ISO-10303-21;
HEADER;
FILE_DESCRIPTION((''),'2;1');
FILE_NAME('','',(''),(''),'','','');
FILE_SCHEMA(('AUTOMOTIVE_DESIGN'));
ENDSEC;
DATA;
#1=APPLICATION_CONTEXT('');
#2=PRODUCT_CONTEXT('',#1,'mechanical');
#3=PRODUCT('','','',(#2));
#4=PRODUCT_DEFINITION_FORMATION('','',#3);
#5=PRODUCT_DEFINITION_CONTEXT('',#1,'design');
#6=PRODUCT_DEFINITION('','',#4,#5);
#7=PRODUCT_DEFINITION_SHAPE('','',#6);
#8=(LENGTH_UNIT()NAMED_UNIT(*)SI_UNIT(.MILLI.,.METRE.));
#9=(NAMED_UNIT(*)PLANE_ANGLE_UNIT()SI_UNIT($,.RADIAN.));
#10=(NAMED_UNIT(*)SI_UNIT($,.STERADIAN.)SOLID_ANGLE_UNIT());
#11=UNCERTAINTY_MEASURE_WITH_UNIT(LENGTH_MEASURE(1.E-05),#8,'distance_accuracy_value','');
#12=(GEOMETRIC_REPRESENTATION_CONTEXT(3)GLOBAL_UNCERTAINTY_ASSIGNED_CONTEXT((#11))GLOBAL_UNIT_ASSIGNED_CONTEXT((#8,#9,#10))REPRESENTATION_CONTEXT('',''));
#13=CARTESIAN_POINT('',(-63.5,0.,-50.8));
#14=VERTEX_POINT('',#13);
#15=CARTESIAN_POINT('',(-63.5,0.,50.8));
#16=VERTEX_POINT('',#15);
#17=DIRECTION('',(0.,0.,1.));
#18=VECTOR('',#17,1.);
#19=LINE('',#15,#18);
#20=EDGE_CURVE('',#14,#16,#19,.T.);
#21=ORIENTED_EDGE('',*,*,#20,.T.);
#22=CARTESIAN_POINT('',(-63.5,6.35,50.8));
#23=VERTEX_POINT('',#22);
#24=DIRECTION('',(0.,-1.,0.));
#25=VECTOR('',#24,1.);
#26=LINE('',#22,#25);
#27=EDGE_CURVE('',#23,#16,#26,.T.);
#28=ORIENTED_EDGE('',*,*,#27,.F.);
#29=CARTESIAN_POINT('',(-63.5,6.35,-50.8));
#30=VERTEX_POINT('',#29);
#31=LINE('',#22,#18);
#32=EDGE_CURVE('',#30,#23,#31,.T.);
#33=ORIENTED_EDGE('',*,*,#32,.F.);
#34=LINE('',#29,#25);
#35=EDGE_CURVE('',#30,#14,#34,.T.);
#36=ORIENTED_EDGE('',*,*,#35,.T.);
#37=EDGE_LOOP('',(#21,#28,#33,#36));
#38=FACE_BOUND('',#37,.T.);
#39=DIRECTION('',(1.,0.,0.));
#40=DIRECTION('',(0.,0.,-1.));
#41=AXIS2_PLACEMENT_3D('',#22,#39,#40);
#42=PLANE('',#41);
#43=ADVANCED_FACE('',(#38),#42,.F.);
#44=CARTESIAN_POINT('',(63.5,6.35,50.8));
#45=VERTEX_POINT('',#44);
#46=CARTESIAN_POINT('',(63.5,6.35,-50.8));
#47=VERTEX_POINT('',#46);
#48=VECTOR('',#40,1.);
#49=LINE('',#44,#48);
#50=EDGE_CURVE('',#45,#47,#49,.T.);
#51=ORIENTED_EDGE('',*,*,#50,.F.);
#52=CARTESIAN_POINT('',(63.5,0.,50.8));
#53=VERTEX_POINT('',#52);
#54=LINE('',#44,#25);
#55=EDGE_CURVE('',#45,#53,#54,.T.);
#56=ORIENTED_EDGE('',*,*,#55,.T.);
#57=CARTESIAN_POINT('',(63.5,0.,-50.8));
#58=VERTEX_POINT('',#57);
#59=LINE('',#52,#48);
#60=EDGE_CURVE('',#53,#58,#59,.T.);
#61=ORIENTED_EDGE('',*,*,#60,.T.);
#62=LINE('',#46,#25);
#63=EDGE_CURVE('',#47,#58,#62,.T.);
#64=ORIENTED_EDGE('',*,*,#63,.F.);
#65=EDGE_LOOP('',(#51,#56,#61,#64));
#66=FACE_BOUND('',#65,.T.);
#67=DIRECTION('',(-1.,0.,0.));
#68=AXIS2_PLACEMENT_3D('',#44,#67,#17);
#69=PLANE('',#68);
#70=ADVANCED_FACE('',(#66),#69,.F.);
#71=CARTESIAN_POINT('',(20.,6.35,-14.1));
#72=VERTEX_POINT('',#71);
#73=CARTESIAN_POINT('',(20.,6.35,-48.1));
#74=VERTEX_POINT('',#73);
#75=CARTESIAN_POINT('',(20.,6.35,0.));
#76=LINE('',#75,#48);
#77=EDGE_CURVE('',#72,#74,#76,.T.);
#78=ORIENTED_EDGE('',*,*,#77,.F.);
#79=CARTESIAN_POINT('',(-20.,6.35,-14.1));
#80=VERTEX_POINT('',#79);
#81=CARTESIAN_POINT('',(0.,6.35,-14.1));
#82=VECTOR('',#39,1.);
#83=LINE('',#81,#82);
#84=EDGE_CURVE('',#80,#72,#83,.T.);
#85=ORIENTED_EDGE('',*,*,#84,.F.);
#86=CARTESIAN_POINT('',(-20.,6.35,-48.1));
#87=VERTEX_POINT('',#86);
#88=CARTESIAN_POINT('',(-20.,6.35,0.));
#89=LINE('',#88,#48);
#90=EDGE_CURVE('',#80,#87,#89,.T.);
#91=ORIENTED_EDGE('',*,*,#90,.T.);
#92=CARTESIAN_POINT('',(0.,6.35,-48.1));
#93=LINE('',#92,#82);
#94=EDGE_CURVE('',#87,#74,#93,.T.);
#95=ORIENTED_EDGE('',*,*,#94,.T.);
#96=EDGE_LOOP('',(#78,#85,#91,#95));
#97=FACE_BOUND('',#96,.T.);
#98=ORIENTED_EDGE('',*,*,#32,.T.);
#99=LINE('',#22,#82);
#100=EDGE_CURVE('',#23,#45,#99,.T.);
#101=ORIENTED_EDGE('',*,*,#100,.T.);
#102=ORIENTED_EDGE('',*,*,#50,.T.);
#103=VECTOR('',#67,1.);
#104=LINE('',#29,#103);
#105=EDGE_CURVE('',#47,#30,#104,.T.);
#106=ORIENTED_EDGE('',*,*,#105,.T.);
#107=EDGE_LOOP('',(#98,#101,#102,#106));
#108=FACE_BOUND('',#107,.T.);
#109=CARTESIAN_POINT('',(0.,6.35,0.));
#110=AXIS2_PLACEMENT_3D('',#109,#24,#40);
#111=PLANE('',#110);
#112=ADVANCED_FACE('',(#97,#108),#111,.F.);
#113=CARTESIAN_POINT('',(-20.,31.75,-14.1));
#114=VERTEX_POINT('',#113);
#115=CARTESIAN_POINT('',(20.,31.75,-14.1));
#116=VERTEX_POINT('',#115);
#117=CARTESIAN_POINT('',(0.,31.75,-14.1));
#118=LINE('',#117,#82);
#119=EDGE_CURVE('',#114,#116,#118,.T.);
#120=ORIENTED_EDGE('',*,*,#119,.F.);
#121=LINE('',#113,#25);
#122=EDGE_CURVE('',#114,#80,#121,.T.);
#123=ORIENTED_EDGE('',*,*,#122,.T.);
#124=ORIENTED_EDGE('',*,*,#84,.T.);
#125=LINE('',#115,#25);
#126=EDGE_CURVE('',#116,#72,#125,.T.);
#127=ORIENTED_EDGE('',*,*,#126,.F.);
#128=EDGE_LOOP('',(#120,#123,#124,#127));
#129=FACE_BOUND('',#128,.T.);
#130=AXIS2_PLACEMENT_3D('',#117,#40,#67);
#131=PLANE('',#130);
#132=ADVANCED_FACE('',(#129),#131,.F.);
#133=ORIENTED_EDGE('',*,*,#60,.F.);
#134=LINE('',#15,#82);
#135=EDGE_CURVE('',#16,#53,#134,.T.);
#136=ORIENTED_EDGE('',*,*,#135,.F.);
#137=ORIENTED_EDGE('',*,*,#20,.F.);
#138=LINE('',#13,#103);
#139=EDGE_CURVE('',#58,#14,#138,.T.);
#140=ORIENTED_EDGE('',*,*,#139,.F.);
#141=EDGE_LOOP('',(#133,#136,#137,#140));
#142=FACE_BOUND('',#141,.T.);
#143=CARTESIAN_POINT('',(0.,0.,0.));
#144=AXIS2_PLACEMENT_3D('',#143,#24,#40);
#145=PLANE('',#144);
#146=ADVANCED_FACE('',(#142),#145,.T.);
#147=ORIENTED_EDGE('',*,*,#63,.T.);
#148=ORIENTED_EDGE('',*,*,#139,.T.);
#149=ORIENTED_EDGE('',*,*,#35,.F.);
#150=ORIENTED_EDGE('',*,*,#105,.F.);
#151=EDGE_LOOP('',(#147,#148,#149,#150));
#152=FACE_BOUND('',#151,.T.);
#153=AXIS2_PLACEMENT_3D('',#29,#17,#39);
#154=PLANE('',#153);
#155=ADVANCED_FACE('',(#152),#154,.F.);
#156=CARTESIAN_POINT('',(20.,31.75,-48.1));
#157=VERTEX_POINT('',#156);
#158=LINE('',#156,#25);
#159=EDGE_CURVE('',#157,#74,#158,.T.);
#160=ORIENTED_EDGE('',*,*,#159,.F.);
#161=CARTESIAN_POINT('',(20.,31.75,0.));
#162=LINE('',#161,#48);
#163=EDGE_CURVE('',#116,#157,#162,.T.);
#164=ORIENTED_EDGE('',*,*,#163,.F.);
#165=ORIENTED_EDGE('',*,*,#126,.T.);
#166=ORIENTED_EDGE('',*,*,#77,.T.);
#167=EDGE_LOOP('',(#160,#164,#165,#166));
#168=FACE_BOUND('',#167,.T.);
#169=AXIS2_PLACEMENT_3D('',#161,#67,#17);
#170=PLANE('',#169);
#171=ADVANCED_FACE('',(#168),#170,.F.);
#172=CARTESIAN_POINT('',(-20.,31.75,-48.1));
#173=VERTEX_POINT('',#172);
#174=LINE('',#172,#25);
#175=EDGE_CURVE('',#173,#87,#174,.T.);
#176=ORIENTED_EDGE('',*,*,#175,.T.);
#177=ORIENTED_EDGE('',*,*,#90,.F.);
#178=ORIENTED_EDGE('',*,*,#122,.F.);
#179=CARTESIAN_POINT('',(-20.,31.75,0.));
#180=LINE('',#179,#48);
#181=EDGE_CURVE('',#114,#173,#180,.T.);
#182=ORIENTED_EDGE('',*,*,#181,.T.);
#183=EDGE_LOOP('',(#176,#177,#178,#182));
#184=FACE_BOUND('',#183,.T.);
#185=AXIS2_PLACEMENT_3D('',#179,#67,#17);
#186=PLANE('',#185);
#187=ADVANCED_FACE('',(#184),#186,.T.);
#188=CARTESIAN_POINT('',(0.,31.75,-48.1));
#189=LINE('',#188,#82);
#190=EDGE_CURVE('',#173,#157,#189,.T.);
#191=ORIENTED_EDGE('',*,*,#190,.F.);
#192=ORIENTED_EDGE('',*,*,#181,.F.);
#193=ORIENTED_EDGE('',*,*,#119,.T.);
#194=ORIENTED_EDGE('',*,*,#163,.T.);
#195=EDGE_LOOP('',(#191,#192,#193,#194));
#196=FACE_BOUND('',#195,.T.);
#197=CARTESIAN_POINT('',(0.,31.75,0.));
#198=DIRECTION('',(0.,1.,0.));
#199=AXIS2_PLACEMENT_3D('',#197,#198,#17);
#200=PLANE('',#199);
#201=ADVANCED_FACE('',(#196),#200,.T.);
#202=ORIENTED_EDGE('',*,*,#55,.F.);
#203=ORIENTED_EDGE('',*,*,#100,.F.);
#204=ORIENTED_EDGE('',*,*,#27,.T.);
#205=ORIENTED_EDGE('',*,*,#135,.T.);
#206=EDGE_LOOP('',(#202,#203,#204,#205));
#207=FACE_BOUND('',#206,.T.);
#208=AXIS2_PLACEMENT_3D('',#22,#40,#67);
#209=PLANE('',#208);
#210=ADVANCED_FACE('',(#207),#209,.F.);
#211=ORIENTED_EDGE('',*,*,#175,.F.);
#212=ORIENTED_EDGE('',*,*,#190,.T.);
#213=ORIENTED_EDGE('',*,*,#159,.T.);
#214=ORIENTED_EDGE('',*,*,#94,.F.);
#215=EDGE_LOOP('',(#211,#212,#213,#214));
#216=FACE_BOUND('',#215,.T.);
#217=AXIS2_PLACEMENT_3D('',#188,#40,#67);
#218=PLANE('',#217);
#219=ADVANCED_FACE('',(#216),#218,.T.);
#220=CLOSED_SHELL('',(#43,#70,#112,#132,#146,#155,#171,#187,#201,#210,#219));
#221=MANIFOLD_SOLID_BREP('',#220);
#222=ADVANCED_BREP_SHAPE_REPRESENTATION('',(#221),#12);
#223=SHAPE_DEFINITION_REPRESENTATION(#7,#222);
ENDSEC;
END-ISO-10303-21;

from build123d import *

# Parameters (mm, degrees)
SKETCH2_W           = 127
SKETCH2_H           = 101.6
BOSS_EXTRUDE1_DEPTH = 6.35
SKETCH3_W           = 40
SKETCH3_H           = 34
BOSS_EXTRUDE2_DEPTH = 25.4


with BuildPart() as part:
    # Sketch2 → Boss-Extrude1 (new body)
    with BuildSketch(Plane(origin=(0, 0, 0), x_dir=(1, 0, 0), z_dir=(0, 1, 0))):
        Rectangle(SKETCH2_W, SKETCH2_H)
    extrude(amount=BOSS_EXTRUDE1_DEPTH)

    # Sketch3 → Boss-Extrude2 (add)
    with BuildSketch(Plane(origin=(0, 6.35, 0), x_dir=(1, 0, 0), z_dir=(0, 1, 0))):
        with Locations((0, 31.1)):
            Rectangle(SKETCH3_W, SKETCH3_H)
    extrude(amount=BOSS_EXTRUDE2_DEPTH)


solid = part.part
